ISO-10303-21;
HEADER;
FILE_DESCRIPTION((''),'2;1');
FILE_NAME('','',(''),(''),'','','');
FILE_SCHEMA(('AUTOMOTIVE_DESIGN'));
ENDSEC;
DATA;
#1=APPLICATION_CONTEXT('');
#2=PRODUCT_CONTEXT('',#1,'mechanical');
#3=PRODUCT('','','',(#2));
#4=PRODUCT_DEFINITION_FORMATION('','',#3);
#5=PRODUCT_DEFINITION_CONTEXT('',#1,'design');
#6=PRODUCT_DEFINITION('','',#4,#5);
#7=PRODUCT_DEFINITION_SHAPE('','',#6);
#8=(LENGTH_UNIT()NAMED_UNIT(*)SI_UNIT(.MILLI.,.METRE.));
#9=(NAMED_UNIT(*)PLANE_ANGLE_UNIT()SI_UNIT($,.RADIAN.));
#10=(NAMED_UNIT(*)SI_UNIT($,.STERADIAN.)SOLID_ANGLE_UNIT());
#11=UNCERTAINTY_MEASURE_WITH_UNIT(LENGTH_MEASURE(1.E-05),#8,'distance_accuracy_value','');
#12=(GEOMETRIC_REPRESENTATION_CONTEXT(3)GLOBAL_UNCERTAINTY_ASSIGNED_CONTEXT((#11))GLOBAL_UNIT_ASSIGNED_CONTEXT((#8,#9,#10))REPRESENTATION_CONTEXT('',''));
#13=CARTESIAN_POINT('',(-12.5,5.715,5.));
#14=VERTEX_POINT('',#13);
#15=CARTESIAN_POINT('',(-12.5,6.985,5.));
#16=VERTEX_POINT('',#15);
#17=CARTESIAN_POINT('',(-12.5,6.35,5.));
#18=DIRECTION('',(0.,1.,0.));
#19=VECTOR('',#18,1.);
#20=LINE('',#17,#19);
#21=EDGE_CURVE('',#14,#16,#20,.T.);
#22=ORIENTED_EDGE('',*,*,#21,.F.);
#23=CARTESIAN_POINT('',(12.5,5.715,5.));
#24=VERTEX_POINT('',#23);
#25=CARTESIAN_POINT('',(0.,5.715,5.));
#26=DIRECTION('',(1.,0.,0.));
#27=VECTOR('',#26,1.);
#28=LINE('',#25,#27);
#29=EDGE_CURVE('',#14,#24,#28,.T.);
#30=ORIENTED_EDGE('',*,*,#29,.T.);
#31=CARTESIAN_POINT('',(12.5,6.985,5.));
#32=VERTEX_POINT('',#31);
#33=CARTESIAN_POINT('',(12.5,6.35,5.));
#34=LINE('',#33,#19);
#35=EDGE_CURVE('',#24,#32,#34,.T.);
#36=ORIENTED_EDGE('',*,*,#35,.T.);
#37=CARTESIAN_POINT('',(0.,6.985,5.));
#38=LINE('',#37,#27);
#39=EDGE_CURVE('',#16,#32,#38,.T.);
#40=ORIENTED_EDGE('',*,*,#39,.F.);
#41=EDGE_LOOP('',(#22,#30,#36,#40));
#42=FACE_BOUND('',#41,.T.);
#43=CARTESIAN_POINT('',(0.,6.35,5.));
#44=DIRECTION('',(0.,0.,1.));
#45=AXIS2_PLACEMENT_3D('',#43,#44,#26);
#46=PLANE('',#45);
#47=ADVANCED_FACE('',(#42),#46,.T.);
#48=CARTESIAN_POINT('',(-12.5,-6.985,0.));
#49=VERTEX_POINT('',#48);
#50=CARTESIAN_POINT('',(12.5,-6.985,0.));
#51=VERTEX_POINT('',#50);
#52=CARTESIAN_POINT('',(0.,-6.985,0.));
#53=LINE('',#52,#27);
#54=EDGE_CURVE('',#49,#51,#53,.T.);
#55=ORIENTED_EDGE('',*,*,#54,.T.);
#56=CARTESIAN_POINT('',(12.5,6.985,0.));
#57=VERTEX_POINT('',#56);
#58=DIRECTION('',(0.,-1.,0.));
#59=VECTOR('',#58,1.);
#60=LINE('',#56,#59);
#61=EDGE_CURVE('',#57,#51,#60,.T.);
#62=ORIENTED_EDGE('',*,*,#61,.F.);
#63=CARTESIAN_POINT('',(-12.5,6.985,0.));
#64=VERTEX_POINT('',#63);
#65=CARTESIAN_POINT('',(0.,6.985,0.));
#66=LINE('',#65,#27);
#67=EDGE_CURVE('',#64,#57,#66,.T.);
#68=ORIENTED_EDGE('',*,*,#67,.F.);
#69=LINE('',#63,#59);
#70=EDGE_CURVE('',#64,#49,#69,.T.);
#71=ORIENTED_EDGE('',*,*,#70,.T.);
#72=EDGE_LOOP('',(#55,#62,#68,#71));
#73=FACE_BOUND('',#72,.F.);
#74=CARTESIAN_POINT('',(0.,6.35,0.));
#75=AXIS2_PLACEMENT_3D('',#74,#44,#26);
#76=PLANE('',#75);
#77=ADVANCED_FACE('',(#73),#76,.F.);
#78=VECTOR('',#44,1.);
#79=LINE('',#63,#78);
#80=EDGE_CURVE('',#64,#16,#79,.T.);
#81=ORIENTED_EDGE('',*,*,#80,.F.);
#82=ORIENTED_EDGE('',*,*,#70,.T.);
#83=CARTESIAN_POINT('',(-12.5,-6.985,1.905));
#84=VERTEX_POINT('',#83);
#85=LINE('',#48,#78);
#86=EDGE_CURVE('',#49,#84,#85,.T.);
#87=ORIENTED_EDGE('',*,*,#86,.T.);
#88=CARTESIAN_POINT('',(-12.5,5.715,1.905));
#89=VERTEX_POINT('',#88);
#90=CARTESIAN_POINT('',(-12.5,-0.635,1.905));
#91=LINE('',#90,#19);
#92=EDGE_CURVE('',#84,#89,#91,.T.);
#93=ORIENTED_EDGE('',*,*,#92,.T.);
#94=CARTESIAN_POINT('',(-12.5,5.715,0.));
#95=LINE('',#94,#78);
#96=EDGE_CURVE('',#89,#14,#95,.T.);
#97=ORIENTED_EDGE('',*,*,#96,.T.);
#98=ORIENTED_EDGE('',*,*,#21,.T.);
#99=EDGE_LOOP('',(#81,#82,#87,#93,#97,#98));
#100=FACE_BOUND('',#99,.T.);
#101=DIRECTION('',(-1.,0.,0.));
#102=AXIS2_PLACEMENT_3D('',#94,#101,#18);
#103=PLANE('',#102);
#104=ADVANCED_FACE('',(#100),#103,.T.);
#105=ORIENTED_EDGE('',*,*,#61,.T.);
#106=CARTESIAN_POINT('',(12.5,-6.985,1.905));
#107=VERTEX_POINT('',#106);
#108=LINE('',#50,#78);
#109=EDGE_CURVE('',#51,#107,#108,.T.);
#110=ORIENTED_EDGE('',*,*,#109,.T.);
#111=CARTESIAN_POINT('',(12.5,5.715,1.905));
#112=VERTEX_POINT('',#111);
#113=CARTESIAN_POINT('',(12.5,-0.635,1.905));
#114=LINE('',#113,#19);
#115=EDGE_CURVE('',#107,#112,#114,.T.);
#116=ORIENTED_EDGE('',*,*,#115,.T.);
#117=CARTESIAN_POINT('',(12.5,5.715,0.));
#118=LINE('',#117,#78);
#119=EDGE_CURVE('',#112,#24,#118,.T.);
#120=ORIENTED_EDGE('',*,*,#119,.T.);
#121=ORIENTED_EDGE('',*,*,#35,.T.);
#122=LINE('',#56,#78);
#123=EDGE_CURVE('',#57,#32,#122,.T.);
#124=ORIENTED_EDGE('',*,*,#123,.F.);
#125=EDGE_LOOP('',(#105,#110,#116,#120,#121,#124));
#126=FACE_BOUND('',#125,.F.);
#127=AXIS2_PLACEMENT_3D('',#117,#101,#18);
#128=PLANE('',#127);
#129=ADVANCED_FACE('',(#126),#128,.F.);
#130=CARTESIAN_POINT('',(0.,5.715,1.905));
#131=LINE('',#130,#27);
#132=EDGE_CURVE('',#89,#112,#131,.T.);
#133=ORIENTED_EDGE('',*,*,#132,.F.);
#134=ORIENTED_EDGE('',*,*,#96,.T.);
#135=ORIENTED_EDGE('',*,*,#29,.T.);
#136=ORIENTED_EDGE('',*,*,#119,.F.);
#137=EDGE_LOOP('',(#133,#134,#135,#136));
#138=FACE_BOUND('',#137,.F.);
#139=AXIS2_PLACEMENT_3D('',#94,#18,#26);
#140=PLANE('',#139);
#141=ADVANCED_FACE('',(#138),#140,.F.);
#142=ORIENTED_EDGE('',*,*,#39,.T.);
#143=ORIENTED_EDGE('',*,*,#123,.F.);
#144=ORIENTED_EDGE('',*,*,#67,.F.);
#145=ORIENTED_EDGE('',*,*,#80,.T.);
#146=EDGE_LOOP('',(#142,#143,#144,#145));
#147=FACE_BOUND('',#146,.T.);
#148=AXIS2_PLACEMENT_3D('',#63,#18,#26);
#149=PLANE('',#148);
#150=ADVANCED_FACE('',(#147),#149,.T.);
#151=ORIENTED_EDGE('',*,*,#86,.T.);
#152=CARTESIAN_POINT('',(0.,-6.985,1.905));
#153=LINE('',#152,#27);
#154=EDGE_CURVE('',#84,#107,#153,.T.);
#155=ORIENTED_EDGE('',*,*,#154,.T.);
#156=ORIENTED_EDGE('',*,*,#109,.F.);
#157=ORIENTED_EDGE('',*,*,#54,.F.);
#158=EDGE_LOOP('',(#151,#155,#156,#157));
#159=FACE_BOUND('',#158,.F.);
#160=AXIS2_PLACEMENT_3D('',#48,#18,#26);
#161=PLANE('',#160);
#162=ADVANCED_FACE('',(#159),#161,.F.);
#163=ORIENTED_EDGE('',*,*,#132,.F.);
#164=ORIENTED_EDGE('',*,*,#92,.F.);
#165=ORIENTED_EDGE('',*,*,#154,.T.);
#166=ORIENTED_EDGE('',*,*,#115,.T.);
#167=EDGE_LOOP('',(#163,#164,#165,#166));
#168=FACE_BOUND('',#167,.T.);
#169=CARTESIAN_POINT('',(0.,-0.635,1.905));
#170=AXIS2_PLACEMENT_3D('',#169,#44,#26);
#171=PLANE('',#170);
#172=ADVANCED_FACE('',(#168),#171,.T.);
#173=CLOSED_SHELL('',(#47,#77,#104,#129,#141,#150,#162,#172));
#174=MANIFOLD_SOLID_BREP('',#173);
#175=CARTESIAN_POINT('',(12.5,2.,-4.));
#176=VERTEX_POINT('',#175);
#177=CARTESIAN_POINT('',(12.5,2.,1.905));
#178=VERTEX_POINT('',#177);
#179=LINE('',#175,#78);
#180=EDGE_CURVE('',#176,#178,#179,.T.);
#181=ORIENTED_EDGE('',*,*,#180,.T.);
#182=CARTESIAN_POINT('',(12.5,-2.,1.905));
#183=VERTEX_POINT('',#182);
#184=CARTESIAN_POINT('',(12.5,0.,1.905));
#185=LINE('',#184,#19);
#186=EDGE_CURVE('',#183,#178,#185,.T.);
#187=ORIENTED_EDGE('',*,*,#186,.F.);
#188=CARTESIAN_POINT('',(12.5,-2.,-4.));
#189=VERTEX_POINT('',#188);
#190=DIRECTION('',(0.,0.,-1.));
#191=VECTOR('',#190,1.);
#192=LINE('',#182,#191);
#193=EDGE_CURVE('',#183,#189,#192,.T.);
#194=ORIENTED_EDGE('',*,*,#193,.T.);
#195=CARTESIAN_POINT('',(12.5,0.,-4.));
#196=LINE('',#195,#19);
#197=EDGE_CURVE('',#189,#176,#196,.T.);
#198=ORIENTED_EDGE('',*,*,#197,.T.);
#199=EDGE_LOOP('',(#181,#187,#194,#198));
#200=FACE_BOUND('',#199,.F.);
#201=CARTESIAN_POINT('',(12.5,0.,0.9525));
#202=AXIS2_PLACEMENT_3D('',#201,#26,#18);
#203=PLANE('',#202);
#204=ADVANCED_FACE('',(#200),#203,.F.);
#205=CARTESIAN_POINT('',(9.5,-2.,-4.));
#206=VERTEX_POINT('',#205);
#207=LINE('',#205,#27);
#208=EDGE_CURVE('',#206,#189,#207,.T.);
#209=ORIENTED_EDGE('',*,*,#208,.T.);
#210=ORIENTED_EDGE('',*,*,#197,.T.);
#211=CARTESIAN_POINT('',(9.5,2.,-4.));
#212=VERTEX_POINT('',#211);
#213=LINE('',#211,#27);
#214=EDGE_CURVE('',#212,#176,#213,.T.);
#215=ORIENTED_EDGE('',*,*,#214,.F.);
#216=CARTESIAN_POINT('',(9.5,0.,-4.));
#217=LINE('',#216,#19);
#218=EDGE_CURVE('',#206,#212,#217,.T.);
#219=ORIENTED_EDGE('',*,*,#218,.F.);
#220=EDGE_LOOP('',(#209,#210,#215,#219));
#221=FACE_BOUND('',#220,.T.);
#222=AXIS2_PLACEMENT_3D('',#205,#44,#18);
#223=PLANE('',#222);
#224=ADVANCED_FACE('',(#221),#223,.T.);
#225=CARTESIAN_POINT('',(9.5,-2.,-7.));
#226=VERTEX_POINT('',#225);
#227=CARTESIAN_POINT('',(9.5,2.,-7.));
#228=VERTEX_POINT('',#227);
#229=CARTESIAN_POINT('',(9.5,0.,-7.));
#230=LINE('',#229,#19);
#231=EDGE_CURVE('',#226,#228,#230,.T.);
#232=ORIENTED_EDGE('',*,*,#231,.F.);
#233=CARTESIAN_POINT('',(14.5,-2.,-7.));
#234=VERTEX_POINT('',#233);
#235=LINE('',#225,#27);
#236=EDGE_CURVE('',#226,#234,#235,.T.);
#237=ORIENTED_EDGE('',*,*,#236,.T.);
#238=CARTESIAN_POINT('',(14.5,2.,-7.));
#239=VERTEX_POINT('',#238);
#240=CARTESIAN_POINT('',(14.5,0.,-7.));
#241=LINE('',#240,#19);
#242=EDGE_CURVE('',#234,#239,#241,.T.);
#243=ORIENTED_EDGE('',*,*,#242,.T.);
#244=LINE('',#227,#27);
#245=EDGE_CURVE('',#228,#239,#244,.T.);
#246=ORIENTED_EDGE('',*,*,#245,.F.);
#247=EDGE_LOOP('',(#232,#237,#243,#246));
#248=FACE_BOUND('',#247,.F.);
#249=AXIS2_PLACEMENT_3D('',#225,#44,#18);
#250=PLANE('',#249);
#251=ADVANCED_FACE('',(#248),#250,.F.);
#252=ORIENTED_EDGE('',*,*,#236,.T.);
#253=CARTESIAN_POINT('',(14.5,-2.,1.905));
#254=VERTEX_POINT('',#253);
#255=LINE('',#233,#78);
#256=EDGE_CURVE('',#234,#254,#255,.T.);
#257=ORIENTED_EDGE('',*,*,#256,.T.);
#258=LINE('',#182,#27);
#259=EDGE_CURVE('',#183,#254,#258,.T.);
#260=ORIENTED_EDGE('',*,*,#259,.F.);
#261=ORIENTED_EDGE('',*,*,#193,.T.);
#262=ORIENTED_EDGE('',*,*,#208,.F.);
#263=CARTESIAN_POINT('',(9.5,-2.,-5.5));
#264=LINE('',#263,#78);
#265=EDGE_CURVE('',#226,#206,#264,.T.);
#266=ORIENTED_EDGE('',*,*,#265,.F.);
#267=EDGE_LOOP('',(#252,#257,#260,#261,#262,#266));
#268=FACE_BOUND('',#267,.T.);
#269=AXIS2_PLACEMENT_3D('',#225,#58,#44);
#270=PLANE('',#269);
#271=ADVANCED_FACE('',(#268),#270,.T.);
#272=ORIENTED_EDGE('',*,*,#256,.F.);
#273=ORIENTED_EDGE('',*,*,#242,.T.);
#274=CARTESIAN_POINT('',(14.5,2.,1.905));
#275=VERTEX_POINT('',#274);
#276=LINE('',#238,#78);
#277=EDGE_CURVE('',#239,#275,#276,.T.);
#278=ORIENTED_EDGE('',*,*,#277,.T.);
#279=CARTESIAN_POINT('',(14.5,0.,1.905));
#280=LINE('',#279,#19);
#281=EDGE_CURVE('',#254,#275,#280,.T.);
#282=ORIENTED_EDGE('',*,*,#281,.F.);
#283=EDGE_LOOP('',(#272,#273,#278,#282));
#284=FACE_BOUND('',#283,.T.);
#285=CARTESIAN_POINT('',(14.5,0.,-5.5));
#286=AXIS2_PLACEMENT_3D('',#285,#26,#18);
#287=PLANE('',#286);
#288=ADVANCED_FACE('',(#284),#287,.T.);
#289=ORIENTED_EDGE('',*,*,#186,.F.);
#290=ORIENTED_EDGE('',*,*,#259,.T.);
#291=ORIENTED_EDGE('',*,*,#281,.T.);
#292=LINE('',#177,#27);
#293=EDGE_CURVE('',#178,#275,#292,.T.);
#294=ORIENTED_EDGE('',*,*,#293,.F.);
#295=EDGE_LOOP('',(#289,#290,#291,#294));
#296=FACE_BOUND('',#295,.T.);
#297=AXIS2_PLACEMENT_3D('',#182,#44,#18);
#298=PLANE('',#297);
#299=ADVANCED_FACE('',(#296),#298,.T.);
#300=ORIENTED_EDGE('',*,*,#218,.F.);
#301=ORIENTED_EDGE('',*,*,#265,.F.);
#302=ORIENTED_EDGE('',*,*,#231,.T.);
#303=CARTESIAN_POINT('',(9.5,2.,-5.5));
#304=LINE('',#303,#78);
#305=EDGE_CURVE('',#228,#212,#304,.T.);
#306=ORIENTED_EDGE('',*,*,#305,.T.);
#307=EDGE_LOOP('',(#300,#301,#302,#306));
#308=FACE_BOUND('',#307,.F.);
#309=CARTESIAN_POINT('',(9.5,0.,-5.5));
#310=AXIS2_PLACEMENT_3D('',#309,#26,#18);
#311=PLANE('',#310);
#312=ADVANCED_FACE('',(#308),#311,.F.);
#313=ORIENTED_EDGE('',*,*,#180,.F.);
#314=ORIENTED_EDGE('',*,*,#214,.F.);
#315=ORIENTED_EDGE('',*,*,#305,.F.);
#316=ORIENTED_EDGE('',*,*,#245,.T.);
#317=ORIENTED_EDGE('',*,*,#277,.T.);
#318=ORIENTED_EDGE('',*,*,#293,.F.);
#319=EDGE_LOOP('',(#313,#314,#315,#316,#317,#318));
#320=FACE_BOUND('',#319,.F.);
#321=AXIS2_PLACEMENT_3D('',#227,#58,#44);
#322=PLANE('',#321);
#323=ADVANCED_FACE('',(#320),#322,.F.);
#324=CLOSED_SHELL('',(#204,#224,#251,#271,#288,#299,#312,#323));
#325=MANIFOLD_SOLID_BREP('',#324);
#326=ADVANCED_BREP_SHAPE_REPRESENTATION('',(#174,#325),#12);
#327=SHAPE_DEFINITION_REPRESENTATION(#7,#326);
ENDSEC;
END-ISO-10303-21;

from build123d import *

# Parameters (mm, degrees)
F0_W     = 25
F0_H     = 12.7
F1_DEPTH = 1.905
F0_H_2   = 1.27
F2_DEPTH = 5
F4_START = 12.5
F3_W     = 4
F3_H     = 1.905
F3_H_2   = 4
F4_DEPTH = 2
F5_START = 9.5
F3_H_3   = 3
F5_DEPTH = 5


with BuildPart() as f1:
    # F0 (on Top) → F1 (new body)
    with BuildSketch(Plane.XY):
        with Locations((0, -0.635)):
            Rectangle(F0_W, F0_H)
    extrude(amount=F1_DEPTH)

    # F0 (on Top) → F2 (join)
    with BuildSketch(Plane.XY):
        with Locations((0, 6.35)):
            Rectangle(F0_W, F0_H_2)
    extrude(amount=F2_DEPTH)


with BuildPart() as f4:
    # F3 (on Right) → F4 (new body)
    with BuildSketch(Plane.YZ.offset(F4_START)):
        with Locations((0, 0.9525)):
            Rectangle(F3_W, F3_H)
        with Locations((0, -2)):
            Rectangle(F3_W, F3_H_2)
    extrude(amount=F4_DEPTH)

    # F3 (on Right) → F5 (join)
    with BuildSketch(Plane.YZ.offset(F5_START)):
        with Locations((0, -5.5)):
            Rectangle(F3_W, F3_H_3)
    extrude(amount=F5_DEPTH)


solid = Compound([f1.part, f4.part])
